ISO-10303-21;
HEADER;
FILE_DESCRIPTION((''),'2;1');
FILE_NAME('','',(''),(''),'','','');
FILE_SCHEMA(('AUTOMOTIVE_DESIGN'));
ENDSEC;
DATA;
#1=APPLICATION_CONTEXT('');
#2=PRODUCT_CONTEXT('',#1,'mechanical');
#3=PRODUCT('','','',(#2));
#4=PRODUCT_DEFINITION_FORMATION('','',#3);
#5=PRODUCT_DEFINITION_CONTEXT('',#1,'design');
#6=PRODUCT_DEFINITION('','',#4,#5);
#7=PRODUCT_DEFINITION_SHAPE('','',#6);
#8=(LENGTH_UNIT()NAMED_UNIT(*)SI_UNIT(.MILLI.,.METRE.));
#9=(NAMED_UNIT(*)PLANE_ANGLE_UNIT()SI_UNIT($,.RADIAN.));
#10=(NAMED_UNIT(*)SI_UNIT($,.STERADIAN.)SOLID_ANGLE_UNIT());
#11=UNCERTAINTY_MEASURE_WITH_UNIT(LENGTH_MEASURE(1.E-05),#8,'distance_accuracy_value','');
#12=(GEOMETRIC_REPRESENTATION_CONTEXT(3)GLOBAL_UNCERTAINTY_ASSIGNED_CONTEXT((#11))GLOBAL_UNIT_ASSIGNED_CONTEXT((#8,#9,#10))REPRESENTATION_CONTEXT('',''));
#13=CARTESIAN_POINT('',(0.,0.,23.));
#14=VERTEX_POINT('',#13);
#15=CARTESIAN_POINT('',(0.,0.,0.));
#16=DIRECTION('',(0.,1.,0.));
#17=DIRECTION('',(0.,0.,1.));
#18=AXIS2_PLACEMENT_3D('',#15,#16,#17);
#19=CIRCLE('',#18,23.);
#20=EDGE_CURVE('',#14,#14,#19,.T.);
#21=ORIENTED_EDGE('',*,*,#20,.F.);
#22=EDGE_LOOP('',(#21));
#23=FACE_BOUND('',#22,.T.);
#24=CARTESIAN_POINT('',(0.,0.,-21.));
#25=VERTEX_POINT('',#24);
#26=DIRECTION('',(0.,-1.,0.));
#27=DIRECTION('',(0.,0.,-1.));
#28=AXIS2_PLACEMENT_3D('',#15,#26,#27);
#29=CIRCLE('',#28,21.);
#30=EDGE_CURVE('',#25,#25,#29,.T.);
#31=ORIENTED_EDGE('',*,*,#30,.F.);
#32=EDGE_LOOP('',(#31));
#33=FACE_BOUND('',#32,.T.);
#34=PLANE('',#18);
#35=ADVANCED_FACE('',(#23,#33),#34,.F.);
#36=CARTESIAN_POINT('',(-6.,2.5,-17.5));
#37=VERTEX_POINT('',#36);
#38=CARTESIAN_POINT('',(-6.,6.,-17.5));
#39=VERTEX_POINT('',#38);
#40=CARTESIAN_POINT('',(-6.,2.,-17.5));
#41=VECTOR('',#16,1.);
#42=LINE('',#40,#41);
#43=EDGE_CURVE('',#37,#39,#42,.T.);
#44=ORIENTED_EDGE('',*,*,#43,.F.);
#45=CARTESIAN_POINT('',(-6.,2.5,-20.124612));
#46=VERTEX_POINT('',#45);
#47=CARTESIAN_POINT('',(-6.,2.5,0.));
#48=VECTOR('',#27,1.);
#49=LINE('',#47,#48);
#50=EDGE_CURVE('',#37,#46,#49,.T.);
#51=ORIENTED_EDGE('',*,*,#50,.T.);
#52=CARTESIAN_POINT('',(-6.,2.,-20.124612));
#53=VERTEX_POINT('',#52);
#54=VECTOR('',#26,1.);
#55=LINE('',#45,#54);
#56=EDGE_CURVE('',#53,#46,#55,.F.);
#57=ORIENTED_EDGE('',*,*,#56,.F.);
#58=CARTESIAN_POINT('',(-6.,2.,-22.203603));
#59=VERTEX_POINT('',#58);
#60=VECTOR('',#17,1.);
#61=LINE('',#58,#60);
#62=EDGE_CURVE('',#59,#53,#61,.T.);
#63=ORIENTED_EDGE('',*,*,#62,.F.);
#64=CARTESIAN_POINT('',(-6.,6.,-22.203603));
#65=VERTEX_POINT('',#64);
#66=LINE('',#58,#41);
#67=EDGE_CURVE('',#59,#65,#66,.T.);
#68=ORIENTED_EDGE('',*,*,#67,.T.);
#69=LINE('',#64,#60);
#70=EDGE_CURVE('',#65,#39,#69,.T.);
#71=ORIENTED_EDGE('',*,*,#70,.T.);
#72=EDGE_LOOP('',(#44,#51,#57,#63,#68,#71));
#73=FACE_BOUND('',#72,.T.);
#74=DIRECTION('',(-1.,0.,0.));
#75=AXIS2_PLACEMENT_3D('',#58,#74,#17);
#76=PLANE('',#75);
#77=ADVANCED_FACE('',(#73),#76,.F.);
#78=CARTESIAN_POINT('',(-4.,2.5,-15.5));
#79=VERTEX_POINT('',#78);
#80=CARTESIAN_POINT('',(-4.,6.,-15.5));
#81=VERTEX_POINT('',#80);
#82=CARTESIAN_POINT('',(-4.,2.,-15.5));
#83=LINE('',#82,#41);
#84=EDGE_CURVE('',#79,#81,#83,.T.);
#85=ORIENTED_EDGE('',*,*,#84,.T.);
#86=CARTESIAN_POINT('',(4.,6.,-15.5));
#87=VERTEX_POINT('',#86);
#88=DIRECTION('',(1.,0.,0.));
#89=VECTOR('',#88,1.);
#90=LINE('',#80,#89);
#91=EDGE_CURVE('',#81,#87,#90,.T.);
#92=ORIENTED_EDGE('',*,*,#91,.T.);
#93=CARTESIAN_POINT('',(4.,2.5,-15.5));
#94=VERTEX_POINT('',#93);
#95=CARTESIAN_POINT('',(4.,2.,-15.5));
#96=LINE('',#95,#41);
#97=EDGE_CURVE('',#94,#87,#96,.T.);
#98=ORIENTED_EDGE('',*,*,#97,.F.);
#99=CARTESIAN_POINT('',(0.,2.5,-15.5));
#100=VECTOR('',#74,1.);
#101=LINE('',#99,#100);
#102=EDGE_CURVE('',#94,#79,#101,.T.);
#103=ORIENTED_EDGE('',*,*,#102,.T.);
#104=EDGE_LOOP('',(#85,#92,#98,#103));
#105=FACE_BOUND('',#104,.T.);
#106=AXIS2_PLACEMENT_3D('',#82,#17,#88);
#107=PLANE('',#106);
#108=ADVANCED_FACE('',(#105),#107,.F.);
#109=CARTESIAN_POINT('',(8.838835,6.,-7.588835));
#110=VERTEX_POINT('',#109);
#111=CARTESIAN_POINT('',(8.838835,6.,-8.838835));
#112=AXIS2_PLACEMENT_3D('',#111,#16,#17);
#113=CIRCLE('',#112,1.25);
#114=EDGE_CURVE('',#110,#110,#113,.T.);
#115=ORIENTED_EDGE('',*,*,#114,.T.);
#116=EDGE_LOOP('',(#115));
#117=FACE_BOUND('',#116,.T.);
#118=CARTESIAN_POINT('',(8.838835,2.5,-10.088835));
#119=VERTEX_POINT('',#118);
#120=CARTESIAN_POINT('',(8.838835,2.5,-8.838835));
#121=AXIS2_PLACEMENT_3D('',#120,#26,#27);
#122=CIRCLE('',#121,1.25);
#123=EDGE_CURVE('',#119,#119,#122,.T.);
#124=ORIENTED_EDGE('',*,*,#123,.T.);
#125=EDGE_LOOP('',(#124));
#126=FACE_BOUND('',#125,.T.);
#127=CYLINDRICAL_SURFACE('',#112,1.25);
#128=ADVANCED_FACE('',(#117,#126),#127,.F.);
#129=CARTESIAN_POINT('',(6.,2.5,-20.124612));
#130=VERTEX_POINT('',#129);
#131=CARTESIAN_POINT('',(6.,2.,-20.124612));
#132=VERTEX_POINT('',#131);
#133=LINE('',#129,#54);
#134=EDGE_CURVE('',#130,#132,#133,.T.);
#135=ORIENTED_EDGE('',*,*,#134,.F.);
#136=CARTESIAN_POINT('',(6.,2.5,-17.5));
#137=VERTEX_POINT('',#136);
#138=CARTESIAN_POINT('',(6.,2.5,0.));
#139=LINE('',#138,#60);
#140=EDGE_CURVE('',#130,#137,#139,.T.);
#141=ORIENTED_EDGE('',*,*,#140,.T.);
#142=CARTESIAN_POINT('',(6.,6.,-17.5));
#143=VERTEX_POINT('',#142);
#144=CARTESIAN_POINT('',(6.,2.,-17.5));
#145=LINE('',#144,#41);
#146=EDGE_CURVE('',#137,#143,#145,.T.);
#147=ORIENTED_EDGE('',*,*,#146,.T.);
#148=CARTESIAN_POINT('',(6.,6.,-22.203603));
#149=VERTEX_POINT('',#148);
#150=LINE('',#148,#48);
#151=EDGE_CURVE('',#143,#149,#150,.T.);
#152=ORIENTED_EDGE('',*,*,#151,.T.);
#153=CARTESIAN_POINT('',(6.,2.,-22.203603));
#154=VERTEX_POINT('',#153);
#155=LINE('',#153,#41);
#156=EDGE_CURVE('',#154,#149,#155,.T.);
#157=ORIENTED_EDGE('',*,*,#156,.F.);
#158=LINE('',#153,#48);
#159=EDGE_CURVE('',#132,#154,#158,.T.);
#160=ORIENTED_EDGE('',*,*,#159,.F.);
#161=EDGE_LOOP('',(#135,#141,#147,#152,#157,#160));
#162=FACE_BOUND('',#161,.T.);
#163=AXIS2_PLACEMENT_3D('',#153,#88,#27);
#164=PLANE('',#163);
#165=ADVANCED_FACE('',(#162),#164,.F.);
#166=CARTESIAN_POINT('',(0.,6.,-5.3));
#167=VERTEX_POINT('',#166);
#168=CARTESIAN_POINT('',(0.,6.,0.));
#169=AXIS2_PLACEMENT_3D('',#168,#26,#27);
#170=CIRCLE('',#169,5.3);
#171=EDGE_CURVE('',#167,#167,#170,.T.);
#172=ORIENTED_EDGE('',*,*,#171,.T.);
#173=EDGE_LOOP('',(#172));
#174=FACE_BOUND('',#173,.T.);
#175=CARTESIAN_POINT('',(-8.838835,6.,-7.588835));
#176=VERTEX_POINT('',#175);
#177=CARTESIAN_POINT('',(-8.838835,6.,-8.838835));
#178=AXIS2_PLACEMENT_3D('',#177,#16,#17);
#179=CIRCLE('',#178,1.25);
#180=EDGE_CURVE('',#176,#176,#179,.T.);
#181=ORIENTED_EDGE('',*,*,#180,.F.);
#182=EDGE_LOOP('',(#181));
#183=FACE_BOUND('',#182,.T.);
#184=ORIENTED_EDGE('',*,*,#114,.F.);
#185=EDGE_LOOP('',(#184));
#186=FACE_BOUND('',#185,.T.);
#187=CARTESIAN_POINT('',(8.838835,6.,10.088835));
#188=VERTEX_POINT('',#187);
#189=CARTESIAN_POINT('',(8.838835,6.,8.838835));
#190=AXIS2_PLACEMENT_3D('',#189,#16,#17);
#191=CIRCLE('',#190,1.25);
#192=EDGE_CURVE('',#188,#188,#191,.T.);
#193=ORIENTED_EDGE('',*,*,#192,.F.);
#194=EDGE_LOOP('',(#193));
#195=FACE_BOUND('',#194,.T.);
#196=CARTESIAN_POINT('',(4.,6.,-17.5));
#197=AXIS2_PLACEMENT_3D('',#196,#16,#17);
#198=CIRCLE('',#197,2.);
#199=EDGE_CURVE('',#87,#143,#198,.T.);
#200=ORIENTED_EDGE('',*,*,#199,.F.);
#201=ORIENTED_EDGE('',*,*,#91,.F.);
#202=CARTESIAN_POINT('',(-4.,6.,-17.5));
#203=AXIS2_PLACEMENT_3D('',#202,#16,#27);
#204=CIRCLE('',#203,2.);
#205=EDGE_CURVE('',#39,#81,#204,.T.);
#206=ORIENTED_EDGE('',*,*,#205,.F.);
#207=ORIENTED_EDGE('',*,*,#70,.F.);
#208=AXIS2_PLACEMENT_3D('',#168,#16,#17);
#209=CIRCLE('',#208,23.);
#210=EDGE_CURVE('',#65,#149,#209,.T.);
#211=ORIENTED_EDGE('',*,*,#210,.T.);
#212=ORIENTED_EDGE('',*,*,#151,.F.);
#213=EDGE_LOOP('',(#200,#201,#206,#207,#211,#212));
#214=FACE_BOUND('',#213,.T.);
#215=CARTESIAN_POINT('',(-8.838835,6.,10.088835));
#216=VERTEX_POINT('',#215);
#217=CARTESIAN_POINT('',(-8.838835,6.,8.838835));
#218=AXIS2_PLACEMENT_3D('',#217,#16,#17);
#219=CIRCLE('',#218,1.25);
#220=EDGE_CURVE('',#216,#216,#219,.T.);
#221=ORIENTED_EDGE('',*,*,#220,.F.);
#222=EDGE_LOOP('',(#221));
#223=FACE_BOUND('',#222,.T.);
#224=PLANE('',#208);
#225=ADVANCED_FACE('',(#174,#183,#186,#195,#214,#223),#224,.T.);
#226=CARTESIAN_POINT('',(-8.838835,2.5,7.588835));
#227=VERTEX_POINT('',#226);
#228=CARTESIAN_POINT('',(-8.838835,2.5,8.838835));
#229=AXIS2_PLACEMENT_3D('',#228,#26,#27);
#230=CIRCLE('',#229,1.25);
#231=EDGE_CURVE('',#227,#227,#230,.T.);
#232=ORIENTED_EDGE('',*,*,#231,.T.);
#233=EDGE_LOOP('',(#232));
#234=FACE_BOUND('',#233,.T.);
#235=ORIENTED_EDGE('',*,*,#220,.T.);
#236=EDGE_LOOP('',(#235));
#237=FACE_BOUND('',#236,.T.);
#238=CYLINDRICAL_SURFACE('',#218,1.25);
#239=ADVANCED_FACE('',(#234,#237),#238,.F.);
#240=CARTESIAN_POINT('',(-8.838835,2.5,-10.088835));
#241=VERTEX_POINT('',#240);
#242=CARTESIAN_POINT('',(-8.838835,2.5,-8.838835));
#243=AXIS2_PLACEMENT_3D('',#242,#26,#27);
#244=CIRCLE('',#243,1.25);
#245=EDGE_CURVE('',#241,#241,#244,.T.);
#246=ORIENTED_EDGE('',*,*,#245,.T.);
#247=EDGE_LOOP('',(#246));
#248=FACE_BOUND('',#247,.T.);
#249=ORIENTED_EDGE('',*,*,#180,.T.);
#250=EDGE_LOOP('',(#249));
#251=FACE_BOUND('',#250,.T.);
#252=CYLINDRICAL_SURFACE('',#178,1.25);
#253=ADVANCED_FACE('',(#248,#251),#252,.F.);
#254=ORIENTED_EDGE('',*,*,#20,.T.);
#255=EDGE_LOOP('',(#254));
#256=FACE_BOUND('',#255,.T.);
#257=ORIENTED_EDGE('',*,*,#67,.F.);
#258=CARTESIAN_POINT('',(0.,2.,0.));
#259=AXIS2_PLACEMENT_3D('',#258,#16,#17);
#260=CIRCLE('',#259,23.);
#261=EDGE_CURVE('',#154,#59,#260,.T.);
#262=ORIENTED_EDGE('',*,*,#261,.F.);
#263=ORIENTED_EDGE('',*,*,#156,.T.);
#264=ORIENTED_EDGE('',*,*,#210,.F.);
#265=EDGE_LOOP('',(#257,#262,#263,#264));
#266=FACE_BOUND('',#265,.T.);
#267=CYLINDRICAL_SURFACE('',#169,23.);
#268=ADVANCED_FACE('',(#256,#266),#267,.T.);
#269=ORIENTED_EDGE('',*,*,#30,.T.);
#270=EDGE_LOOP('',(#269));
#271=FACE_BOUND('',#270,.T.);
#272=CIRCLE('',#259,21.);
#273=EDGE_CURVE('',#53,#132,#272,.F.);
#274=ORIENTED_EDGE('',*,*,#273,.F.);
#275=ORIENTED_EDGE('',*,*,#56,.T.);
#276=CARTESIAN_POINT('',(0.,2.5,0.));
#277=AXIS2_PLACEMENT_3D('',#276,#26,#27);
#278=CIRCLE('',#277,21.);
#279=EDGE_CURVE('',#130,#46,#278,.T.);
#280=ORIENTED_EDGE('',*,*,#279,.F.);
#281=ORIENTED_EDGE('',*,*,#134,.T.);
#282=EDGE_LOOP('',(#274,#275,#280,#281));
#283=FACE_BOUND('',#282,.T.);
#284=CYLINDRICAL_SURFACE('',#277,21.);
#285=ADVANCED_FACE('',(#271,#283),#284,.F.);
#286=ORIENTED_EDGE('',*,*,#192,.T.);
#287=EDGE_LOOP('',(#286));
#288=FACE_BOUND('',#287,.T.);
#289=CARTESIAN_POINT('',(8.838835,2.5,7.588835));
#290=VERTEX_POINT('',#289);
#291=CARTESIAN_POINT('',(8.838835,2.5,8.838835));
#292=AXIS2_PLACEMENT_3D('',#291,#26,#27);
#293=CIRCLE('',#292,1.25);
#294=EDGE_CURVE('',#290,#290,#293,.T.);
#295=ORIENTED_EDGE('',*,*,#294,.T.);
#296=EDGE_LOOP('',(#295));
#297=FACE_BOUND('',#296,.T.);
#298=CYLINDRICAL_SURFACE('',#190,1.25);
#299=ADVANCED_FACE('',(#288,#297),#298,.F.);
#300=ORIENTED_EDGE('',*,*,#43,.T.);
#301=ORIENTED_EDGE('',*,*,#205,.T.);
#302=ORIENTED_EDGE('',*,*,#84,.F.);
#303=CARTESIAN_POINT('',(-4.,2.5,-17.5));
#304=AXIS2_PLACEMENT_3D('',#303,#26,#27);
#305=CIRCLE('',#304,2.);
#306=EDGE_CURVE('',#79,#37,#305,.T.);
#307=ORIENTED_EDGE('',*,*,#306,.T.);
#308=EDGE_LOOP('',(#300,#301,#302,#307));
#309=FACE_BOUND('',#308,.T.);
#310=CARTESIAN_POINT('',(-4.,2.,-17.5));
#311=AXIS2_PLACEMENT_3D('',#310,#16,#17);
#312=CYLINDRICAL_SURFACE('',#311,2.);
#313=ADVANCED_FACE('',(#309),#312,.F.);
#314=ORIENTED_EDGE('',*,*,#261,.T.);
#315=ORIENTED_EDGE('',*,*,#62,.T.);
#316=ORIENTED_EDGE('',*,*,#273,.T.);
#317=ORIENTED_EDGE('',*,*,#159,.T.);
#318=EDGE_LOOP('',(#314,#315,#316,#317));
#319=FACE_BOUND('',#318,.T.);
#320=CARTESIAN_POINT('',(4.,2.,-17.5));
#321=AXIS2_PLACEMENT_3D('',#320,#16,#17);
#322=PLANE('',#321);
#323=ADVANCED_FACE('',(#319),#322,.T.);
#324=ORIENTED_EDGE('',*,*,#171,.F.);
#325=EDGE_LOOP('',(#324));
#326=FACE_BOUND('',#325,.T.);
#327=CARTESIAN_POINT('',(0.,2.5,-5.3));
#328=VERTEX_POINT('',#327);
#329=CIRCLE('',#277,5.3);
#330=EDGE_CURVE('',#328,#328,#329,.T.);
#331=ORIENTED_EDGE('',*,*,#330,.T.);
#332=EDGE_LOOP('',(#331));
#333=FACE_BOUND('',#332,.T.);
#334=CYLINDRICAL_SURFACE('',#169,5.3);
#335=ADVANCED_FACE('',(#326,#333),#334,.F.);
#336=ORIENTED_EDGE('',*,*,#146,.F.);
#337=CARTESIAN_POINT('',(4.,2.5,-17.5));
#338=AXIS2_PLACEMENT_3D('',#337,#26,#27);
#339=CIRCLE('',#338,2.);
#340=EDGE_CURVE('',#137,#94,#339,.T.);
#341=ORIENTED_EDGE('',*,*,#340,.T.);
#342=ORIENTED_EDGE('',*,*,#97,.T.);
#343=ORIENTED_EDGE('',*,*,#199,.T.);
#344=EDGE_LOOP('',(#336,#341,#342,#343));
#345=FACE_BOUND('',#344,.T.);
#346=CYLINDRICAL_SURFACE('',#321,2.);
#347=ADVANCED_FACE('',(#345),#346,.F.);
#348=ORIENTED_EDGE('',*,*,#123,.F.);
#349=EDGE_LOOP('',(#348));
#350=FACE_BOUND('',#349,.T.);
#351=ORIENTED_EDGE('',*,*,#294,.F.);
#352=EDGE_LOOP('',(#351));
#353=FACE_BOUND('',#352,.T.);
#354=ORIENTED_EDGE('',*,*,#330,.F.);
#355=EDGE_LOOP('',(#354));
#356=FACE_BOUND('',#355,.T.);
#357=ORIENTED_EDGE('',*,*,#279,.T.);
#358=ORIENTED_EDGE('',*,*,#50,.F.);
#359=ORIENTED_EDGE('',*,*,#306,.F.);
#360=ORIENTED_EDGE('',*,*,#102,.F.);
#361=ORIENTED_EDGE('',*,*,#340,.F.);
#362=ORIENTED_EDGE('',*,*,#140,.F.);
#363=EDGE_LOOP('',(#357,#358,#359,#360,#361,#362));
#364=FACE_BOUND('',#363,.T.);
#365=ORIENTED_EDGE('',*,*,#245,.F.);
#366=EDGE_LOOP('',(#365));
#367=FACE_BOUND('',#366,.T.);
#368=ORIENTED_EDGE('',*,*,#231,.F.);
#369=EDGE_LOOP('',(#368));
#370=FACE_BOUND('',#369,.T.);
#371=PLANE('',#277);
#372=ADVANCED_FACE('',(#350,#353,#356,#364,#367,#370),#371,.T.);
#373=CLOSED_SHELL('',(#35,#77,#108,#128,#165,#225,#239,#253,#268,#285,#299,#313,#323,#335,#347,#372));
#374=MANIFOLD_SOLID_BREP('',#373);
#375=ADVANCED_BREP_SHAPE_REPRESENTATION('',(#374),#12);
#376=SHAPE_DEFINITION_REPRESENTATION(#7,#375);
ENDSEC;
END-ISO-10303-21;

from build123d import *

# Parameters (mm, degrees)
SKETCH_1_R          = 23
EXTRUDE_1_DEPTH     = 6
SKETCH_2_R          = 21
CUT_EXTRUDE_1_DEPTH = 2.5
SKETCH_2_3_R        = 5.3
CUT_EXTRUDE_2_DEPTH = 34.075670817
CUT_EXTRUDE_START   = -4
CUT_EXTRUDE_3_DEPTH = 4
M3X0_51_D           = 2.5


with BuildPart() as part:
    # Эскиз1 → Бобышка-Вытянуть1 (new body)
    with BuildSketch(Plane(origin=(0, 0, 0), x_dir=(1, 0, 0), z_dir=(0, 1, 0))):
        Circle(SKETCH_1_R)
    extrude(amount=EXTRUDE_1_DEPTH)

    # Эскиз2 → Вырез-Вытянуть1 (cut)
    with BuildSketch(Plane.XZ):
        Circle(SKETCH_2_R)
    extrude(amount=-CUT_EXTRUDE_1_DEPTH, mode=Mode.SUBTRACT)

    # Эскиз2<3> → Вырез-Вытянуть2 (cut, through all)
    with BuildSketch(Plane.XZ):
        Circle(SKETCH_2_3_R)
    extrude(amount=-CUT_EXTRUDE_2_DEPTH, mode=Mode.SUBTRACT)

    # Эскиз4 → Вырез-Вытянуть3 (cut)
    with BuildSketch(Plane(origin=(0, 6, 0), x_dir=(1, 0, 0), z_dir=(0, 1, 0)).offset(CUT_EXTRUDE_START)):
        with BuildLine():
            Line((-6, 22.203603311), (-6, 17.5))
            ThreePointArc((-6, 17.5), (-5.414213562, 16.085786438), (-4, 15.5))
            Line((-4, 15.5), (4, 15.5))
            ThreePointArc((4, 15.5), (5.414213562, 16.085786438), (6, 17.5))
            Line((6, 17.5), (6, 22.203603311))
            ThreePointArc((6, 22.203603311), (0, 23), (-6, 22.203603311))
        make_face()
    extrude(amount=CUT_EXTRUDE_3_DEPTH, mode=Mode.SUBTRACT)

    # Отверстие обработанное метчиком M3x0.51 (through all)
    with Locations(Plane(origin=(0, 6, 0), x_dir=(1, 0, 0), z_dir=(0, 1, 0))):
        with Locations((-8.838834765, 8.838834765), (8.838834765, 8.838834765), (8.838834765, -8.838834765), (-8.838834765, -8.838834765)):
            Hole(M3X0_51_D / 2)


solid = part.part
